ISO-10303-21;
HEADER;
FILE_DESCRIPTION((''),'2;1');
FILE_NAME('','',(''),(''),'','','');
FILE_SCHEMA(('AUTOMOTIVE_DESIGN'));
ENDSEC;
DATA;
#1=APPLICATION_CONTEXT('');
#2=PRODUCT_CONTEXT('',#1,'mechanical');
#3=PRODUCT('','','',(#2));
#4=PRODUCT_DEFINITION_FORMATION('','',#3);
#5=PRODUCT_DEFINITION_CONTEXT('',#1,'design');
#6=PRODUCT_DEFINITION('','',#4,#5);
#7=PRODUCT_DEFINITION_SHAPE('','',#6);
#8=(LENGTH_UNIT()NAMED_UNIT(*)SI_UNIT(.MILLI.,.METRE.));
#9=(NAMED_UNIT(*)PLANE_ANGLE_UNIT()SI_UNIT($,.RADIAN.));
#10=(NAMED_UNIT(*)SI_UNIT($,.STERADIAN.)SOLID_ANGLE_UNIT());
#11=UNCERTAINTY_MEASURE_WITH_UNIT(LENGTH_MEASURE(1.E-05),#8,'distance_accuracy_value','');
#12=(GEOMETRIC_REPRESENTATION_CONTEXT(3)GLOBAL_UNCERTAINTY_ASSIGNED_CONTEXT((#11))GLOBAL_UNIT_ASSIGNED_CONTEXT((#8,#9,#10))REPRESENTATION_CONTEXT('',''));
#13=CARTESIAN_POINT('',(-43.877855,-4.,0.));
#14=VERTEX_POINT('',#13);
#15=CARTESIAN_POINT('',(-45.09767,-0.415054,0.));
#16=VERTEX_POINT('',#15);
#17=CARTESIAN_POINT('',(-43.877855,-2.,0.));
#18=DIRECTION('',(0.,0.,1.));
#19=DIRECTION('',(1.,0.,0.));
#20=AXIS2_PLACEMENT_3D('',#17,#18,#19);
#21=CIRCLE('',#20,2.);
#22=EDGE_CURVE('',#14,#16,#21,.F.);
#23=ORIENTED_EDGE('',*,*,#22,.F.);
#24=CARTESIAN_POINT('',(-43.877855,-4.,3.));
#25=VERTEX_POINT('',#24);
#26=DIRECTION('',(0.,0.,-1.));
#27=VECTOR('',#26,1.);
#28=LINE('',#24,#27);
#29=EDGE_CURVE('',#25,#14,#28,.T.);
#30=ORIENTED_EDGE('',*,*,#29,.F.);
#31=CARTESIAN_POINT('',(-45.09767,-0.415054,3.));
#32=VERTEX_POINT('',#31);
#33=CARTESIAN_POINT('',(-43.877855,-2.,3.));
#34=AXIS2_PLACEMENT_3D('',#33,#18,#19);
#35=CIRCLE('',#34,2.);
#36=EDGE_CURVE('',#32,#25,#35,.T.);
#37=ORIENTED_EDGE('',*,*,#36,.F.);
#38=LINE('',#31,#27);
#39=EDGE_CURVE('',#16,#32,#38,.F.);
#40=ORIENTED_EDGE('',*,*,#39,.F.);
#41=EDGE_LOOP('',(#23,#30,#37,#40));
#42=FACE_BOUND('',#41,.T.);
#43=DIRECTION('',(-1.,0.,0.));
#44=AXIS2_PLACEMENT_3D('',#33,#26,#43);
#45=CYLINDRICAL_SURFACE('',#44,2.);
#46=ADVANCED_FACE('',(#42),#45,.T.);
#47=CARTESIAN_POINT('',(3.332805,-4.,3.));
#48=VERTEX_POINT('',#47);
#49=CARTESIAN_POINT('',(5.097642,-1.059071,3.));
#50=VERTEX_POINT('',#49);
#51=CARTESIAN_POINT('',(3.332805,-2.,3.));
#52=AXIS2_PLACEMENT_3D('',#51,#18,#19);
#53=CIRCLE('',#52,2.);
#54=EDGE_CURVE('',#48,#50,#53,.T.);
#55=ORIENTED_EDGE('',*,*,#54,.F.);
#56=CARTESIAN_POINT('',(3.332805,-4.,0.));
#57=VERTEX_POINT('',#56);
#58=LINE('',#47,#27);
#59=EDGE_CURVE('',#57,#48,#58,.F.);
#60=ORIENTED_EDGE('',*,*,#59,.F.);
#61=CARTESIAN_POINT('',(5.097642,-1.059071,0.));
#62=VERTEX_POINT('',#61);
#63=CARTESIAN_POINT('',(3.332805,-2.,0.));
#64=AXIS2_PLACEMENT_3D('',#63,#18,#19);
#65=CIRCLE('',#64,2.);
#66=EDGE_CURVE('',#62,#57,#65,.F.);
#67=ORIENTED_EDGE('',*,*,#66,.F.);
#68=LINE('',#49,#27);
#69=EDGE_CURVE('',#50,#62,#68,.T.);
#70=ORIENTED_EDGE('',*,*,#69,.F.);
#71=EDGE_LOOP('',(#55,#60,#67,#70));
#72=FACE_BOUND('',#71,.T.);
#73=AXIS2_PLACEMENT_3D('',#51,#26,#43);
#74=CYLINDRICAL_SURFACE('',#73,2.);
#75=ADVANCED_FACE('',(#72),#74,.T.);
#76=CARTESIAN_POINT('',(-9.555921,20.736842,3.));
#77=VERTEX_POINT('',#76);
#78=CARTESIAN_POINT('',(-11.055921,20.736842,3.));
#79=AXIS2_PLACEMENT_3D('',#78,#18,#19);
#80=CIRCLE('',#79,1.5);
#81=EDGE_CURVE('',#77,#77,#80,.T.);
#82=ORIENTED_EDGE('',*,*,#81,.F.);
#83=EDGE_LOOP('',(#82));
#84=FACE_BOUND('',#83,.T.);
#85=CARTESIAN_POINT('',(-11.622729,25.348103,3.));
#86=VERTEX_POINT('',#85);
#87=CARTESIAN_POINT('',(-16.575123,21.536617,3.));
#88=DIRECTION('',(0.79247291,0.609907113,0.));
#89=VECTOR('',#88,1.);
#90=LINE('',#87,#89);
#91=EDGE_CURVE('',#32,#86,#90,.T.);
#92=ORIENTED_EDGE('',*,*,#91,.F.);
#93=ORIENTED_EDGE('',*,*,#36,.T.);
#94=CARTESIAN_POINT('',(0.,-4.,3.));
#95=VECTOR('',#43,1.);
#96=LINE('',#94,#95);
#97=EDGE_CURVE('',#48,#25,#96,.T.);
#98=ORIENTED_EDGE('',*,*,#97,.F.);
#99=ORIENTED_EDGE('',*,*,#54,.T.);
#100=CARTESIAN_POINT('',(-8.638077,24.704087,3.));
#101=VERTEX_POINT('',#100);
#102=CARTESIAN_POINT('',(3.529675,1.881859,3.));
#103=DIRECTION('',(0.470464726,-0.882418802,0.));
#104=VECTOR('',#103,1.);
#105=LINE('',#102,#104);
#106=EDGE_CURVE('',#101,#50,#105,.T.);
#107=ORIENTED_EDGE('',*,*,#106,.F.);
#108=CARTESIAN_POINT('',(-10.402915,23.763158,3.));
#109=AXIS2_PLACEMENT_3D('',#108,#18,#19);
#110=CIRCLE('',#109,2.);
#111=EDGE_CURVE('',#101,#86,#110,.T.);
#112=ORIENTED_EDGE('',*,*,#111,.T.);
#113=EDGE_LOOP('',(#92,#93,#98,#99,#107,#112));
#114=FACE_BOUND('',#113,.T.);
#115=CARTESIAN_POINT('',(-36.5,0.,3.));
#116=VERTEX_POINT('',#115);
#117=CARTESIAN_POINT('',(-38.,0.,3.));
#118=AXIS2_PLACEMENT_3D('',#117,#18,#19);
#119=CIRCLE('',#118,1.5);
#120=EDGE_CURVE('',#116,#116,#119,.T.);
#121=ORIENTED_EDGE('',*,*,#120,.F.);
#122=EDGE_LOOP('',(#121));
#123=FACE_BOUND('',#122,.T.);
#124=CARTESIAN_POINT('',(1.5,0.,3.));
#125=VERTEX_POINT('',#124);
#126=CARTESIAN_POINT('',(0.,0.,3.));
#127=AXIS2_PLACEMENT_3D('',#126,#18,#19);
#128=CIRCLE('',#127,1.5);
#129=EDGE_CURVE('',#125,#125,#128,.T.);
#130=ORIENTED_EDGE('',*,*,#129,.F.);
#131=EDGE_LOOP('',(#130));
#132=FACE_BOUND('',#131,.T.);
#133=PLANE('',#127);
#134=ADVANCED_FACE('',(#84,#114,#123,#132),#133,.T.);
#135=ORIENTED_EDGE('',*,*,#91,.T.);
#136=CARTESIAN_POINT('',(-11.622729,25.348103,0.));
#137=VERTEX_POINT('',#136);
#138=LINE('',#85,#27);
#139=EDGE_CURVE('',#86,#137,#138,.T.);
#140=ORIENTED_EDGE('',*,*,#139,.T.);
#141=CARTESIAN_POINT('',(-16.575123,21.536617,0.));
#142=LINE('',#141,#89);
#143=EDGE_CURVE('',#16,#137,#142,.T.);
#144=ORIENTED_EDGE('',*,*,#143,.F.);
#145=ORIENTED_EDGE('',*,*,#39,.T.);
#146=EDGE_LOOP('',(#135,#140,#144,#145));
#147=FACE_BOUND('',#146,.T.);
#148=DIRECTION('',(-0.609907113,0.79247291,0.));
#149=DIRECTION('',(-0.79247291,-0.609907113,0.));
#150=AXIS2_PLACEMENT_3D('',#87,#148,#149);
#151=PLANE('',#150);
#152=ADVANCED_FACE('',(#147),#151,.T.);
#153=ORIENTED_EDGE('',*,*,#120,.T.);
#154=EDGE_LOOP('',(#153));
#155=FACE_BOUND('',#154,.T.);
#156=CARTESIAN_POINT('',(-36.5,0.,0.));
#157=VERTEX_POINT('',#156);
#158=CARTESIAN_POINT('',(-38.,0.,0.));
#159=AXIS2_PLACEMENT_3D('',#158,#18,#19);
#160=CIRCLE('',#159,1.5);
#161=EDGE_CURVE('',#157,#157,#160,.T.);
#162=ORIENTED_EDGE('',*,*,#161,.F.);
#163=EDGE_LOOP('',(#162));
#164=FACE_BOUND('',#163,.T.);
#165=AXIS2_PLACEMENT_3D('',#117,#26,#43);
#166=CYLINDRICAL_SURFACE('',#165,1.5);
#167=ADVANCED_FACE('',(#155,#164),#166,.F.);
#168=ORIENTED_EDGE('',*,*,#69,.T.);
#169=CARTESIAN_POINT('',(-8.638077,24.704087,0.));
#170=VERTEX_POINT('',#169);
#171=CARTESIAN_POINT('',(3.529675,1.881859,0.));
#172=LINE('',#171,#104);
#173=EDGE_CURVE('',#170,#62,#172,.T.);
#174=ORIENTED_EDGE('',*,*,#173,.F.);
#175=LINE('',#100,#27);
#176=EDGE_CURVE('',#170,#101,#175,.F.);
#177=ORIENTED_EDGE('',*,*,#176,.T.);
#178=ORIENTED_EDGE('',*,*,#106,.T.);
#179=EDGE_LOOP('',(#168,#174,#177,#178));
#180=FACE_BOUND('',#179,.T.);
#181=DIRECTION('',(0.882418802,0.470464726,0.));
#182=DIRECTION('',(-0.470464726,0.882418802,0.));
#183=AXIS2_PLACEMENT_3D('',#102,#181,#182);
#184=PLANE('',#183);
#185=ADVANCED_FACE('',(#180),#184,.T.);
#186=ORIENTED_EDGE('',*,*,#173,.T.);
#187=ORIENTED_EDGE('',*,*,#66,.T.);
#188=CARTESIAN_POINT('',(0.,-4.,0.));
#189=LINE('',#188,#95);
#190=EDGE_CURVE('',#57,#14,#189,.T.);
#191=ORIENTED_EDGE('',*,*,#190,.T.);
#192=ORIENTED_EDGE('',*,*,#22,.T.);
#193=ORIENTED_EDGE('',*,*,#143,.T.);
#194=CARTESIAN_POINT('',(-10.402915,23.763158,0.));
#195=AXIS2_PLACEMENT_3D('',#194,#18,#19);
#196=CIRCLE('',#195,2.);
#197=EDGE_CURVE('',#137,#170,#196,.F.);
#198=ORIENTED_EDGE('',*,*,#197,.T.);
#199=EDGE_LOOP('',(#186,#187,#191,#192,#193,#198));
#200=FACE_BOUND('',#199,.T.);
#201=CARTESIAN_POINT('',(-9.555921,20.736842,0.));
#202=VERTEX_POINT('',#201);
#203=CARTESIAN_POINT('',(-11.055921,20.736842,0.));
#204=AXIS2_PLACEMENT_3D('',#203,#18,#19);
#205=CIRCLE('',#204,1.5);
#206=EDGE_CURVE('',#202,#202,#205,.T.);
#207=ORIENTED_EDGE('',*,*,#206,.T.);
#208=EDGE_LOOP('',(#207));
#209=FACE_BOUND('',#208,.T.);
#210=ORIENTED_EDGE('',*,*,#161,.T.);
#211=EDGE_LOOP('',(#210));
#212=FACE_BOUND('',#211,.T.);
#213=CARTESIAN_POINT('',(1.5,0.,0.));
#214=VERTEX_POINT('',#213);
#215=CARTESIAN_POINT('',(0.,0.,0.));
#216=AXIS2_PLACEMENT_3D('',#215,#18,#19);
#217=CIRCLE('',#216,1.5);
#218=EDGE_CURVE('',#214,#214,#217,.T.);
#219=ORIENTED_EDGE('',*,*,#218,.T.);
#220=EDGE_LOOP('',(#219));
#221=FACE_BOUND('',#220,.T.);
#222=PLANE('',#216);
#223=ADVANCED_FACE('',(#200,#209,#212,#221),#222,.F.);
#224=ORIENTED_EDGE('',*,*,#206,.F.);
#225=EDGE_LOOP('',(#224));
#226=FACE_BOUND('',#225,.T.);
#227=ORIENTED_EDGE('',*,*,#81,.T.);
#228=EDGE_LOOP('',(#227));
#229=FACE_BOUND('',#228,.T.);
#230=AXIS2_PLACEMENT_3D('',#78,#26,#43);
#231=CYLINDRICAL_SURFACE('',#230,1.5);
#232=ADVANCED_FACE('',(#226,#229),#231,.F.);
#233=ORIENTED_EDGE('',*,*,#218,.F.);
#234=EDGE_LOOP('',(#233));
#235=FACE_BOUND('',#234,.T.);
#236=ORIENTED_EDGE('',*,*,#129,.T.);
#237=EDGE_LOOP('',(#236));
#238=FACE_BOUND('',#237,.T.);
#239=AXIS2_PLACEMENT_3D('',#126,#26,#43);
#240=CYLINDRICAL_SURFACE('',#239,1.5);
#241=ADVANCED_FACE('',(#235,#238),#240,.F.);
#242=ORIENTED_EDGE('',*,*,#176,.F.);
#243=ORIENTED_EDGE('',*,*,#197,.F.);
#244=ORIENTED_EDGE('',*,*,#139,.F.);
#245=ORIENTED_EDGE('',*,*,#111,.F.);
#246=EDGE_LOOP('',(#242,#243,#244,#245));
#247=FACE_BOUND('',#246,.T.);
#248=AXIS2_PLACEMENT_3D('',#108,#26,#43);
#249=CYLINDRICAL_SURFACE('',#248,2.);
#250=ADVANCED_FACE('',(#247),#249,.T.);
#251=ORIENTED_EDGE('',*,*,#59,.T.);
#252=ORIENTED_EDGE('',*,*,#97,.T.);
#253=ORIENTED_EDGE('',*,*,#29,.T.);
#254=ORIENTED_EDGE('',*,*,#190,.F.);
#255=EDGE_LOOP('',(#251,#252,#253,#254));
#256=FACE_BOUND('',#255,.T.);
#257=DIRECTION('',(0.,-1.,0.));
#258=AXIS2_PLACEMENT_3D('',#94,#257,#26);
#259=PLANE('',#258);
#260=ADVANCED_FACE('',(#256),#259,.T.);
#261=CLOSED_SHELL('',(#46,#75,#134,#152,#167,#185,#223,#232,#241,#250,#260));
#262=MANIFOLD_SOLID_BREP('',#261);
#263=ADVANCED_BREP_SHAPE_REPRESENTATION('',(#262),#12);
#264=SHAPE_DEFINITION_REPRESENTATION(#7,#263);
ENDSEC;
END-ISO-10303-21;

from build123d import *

# Parameters (mm, degrees)
ESQUISSE1_R        = 1.5
BOSS_EXTRU_1_DEPTH = 3
CONG_2_R           = 2


with BuildPart() as part:
    # Esquisse1 → Boss.-Extru.1 (new body)
    with BuildSketch(Plane.XY):
        Polygon((-49.755710808, -4), (-9.749908145, 26.789473423), (6.665609221, -4), align=None)
        with Locations((-11.055921053, 20.736841844)):
            Circle(ESQUISSE1_R, mode=Mode.SUBTRACT)
        with Locations((-38, 0)):
            Circle(ESQUISSE1_R, mode=Mode.SUBTRACT)
        Circle(ESQUISSE1_R, mode=Mode.SUBTRACT)
    extrude(amount=BOSS_EXTRU_1_DEPTH)

    # Congé2
    cong_2_edges = [part.edges().sort_by_distance(p)[0] for p in [
        (-49.755710808, -4, 1.5),
        (-9.749908145, 26.789473423, 1.5),
        (6.665609221, -4, 1.5),
    ]]
    fillet(cong_2_edges, radius=CONG_2_R)


solid = part.part
